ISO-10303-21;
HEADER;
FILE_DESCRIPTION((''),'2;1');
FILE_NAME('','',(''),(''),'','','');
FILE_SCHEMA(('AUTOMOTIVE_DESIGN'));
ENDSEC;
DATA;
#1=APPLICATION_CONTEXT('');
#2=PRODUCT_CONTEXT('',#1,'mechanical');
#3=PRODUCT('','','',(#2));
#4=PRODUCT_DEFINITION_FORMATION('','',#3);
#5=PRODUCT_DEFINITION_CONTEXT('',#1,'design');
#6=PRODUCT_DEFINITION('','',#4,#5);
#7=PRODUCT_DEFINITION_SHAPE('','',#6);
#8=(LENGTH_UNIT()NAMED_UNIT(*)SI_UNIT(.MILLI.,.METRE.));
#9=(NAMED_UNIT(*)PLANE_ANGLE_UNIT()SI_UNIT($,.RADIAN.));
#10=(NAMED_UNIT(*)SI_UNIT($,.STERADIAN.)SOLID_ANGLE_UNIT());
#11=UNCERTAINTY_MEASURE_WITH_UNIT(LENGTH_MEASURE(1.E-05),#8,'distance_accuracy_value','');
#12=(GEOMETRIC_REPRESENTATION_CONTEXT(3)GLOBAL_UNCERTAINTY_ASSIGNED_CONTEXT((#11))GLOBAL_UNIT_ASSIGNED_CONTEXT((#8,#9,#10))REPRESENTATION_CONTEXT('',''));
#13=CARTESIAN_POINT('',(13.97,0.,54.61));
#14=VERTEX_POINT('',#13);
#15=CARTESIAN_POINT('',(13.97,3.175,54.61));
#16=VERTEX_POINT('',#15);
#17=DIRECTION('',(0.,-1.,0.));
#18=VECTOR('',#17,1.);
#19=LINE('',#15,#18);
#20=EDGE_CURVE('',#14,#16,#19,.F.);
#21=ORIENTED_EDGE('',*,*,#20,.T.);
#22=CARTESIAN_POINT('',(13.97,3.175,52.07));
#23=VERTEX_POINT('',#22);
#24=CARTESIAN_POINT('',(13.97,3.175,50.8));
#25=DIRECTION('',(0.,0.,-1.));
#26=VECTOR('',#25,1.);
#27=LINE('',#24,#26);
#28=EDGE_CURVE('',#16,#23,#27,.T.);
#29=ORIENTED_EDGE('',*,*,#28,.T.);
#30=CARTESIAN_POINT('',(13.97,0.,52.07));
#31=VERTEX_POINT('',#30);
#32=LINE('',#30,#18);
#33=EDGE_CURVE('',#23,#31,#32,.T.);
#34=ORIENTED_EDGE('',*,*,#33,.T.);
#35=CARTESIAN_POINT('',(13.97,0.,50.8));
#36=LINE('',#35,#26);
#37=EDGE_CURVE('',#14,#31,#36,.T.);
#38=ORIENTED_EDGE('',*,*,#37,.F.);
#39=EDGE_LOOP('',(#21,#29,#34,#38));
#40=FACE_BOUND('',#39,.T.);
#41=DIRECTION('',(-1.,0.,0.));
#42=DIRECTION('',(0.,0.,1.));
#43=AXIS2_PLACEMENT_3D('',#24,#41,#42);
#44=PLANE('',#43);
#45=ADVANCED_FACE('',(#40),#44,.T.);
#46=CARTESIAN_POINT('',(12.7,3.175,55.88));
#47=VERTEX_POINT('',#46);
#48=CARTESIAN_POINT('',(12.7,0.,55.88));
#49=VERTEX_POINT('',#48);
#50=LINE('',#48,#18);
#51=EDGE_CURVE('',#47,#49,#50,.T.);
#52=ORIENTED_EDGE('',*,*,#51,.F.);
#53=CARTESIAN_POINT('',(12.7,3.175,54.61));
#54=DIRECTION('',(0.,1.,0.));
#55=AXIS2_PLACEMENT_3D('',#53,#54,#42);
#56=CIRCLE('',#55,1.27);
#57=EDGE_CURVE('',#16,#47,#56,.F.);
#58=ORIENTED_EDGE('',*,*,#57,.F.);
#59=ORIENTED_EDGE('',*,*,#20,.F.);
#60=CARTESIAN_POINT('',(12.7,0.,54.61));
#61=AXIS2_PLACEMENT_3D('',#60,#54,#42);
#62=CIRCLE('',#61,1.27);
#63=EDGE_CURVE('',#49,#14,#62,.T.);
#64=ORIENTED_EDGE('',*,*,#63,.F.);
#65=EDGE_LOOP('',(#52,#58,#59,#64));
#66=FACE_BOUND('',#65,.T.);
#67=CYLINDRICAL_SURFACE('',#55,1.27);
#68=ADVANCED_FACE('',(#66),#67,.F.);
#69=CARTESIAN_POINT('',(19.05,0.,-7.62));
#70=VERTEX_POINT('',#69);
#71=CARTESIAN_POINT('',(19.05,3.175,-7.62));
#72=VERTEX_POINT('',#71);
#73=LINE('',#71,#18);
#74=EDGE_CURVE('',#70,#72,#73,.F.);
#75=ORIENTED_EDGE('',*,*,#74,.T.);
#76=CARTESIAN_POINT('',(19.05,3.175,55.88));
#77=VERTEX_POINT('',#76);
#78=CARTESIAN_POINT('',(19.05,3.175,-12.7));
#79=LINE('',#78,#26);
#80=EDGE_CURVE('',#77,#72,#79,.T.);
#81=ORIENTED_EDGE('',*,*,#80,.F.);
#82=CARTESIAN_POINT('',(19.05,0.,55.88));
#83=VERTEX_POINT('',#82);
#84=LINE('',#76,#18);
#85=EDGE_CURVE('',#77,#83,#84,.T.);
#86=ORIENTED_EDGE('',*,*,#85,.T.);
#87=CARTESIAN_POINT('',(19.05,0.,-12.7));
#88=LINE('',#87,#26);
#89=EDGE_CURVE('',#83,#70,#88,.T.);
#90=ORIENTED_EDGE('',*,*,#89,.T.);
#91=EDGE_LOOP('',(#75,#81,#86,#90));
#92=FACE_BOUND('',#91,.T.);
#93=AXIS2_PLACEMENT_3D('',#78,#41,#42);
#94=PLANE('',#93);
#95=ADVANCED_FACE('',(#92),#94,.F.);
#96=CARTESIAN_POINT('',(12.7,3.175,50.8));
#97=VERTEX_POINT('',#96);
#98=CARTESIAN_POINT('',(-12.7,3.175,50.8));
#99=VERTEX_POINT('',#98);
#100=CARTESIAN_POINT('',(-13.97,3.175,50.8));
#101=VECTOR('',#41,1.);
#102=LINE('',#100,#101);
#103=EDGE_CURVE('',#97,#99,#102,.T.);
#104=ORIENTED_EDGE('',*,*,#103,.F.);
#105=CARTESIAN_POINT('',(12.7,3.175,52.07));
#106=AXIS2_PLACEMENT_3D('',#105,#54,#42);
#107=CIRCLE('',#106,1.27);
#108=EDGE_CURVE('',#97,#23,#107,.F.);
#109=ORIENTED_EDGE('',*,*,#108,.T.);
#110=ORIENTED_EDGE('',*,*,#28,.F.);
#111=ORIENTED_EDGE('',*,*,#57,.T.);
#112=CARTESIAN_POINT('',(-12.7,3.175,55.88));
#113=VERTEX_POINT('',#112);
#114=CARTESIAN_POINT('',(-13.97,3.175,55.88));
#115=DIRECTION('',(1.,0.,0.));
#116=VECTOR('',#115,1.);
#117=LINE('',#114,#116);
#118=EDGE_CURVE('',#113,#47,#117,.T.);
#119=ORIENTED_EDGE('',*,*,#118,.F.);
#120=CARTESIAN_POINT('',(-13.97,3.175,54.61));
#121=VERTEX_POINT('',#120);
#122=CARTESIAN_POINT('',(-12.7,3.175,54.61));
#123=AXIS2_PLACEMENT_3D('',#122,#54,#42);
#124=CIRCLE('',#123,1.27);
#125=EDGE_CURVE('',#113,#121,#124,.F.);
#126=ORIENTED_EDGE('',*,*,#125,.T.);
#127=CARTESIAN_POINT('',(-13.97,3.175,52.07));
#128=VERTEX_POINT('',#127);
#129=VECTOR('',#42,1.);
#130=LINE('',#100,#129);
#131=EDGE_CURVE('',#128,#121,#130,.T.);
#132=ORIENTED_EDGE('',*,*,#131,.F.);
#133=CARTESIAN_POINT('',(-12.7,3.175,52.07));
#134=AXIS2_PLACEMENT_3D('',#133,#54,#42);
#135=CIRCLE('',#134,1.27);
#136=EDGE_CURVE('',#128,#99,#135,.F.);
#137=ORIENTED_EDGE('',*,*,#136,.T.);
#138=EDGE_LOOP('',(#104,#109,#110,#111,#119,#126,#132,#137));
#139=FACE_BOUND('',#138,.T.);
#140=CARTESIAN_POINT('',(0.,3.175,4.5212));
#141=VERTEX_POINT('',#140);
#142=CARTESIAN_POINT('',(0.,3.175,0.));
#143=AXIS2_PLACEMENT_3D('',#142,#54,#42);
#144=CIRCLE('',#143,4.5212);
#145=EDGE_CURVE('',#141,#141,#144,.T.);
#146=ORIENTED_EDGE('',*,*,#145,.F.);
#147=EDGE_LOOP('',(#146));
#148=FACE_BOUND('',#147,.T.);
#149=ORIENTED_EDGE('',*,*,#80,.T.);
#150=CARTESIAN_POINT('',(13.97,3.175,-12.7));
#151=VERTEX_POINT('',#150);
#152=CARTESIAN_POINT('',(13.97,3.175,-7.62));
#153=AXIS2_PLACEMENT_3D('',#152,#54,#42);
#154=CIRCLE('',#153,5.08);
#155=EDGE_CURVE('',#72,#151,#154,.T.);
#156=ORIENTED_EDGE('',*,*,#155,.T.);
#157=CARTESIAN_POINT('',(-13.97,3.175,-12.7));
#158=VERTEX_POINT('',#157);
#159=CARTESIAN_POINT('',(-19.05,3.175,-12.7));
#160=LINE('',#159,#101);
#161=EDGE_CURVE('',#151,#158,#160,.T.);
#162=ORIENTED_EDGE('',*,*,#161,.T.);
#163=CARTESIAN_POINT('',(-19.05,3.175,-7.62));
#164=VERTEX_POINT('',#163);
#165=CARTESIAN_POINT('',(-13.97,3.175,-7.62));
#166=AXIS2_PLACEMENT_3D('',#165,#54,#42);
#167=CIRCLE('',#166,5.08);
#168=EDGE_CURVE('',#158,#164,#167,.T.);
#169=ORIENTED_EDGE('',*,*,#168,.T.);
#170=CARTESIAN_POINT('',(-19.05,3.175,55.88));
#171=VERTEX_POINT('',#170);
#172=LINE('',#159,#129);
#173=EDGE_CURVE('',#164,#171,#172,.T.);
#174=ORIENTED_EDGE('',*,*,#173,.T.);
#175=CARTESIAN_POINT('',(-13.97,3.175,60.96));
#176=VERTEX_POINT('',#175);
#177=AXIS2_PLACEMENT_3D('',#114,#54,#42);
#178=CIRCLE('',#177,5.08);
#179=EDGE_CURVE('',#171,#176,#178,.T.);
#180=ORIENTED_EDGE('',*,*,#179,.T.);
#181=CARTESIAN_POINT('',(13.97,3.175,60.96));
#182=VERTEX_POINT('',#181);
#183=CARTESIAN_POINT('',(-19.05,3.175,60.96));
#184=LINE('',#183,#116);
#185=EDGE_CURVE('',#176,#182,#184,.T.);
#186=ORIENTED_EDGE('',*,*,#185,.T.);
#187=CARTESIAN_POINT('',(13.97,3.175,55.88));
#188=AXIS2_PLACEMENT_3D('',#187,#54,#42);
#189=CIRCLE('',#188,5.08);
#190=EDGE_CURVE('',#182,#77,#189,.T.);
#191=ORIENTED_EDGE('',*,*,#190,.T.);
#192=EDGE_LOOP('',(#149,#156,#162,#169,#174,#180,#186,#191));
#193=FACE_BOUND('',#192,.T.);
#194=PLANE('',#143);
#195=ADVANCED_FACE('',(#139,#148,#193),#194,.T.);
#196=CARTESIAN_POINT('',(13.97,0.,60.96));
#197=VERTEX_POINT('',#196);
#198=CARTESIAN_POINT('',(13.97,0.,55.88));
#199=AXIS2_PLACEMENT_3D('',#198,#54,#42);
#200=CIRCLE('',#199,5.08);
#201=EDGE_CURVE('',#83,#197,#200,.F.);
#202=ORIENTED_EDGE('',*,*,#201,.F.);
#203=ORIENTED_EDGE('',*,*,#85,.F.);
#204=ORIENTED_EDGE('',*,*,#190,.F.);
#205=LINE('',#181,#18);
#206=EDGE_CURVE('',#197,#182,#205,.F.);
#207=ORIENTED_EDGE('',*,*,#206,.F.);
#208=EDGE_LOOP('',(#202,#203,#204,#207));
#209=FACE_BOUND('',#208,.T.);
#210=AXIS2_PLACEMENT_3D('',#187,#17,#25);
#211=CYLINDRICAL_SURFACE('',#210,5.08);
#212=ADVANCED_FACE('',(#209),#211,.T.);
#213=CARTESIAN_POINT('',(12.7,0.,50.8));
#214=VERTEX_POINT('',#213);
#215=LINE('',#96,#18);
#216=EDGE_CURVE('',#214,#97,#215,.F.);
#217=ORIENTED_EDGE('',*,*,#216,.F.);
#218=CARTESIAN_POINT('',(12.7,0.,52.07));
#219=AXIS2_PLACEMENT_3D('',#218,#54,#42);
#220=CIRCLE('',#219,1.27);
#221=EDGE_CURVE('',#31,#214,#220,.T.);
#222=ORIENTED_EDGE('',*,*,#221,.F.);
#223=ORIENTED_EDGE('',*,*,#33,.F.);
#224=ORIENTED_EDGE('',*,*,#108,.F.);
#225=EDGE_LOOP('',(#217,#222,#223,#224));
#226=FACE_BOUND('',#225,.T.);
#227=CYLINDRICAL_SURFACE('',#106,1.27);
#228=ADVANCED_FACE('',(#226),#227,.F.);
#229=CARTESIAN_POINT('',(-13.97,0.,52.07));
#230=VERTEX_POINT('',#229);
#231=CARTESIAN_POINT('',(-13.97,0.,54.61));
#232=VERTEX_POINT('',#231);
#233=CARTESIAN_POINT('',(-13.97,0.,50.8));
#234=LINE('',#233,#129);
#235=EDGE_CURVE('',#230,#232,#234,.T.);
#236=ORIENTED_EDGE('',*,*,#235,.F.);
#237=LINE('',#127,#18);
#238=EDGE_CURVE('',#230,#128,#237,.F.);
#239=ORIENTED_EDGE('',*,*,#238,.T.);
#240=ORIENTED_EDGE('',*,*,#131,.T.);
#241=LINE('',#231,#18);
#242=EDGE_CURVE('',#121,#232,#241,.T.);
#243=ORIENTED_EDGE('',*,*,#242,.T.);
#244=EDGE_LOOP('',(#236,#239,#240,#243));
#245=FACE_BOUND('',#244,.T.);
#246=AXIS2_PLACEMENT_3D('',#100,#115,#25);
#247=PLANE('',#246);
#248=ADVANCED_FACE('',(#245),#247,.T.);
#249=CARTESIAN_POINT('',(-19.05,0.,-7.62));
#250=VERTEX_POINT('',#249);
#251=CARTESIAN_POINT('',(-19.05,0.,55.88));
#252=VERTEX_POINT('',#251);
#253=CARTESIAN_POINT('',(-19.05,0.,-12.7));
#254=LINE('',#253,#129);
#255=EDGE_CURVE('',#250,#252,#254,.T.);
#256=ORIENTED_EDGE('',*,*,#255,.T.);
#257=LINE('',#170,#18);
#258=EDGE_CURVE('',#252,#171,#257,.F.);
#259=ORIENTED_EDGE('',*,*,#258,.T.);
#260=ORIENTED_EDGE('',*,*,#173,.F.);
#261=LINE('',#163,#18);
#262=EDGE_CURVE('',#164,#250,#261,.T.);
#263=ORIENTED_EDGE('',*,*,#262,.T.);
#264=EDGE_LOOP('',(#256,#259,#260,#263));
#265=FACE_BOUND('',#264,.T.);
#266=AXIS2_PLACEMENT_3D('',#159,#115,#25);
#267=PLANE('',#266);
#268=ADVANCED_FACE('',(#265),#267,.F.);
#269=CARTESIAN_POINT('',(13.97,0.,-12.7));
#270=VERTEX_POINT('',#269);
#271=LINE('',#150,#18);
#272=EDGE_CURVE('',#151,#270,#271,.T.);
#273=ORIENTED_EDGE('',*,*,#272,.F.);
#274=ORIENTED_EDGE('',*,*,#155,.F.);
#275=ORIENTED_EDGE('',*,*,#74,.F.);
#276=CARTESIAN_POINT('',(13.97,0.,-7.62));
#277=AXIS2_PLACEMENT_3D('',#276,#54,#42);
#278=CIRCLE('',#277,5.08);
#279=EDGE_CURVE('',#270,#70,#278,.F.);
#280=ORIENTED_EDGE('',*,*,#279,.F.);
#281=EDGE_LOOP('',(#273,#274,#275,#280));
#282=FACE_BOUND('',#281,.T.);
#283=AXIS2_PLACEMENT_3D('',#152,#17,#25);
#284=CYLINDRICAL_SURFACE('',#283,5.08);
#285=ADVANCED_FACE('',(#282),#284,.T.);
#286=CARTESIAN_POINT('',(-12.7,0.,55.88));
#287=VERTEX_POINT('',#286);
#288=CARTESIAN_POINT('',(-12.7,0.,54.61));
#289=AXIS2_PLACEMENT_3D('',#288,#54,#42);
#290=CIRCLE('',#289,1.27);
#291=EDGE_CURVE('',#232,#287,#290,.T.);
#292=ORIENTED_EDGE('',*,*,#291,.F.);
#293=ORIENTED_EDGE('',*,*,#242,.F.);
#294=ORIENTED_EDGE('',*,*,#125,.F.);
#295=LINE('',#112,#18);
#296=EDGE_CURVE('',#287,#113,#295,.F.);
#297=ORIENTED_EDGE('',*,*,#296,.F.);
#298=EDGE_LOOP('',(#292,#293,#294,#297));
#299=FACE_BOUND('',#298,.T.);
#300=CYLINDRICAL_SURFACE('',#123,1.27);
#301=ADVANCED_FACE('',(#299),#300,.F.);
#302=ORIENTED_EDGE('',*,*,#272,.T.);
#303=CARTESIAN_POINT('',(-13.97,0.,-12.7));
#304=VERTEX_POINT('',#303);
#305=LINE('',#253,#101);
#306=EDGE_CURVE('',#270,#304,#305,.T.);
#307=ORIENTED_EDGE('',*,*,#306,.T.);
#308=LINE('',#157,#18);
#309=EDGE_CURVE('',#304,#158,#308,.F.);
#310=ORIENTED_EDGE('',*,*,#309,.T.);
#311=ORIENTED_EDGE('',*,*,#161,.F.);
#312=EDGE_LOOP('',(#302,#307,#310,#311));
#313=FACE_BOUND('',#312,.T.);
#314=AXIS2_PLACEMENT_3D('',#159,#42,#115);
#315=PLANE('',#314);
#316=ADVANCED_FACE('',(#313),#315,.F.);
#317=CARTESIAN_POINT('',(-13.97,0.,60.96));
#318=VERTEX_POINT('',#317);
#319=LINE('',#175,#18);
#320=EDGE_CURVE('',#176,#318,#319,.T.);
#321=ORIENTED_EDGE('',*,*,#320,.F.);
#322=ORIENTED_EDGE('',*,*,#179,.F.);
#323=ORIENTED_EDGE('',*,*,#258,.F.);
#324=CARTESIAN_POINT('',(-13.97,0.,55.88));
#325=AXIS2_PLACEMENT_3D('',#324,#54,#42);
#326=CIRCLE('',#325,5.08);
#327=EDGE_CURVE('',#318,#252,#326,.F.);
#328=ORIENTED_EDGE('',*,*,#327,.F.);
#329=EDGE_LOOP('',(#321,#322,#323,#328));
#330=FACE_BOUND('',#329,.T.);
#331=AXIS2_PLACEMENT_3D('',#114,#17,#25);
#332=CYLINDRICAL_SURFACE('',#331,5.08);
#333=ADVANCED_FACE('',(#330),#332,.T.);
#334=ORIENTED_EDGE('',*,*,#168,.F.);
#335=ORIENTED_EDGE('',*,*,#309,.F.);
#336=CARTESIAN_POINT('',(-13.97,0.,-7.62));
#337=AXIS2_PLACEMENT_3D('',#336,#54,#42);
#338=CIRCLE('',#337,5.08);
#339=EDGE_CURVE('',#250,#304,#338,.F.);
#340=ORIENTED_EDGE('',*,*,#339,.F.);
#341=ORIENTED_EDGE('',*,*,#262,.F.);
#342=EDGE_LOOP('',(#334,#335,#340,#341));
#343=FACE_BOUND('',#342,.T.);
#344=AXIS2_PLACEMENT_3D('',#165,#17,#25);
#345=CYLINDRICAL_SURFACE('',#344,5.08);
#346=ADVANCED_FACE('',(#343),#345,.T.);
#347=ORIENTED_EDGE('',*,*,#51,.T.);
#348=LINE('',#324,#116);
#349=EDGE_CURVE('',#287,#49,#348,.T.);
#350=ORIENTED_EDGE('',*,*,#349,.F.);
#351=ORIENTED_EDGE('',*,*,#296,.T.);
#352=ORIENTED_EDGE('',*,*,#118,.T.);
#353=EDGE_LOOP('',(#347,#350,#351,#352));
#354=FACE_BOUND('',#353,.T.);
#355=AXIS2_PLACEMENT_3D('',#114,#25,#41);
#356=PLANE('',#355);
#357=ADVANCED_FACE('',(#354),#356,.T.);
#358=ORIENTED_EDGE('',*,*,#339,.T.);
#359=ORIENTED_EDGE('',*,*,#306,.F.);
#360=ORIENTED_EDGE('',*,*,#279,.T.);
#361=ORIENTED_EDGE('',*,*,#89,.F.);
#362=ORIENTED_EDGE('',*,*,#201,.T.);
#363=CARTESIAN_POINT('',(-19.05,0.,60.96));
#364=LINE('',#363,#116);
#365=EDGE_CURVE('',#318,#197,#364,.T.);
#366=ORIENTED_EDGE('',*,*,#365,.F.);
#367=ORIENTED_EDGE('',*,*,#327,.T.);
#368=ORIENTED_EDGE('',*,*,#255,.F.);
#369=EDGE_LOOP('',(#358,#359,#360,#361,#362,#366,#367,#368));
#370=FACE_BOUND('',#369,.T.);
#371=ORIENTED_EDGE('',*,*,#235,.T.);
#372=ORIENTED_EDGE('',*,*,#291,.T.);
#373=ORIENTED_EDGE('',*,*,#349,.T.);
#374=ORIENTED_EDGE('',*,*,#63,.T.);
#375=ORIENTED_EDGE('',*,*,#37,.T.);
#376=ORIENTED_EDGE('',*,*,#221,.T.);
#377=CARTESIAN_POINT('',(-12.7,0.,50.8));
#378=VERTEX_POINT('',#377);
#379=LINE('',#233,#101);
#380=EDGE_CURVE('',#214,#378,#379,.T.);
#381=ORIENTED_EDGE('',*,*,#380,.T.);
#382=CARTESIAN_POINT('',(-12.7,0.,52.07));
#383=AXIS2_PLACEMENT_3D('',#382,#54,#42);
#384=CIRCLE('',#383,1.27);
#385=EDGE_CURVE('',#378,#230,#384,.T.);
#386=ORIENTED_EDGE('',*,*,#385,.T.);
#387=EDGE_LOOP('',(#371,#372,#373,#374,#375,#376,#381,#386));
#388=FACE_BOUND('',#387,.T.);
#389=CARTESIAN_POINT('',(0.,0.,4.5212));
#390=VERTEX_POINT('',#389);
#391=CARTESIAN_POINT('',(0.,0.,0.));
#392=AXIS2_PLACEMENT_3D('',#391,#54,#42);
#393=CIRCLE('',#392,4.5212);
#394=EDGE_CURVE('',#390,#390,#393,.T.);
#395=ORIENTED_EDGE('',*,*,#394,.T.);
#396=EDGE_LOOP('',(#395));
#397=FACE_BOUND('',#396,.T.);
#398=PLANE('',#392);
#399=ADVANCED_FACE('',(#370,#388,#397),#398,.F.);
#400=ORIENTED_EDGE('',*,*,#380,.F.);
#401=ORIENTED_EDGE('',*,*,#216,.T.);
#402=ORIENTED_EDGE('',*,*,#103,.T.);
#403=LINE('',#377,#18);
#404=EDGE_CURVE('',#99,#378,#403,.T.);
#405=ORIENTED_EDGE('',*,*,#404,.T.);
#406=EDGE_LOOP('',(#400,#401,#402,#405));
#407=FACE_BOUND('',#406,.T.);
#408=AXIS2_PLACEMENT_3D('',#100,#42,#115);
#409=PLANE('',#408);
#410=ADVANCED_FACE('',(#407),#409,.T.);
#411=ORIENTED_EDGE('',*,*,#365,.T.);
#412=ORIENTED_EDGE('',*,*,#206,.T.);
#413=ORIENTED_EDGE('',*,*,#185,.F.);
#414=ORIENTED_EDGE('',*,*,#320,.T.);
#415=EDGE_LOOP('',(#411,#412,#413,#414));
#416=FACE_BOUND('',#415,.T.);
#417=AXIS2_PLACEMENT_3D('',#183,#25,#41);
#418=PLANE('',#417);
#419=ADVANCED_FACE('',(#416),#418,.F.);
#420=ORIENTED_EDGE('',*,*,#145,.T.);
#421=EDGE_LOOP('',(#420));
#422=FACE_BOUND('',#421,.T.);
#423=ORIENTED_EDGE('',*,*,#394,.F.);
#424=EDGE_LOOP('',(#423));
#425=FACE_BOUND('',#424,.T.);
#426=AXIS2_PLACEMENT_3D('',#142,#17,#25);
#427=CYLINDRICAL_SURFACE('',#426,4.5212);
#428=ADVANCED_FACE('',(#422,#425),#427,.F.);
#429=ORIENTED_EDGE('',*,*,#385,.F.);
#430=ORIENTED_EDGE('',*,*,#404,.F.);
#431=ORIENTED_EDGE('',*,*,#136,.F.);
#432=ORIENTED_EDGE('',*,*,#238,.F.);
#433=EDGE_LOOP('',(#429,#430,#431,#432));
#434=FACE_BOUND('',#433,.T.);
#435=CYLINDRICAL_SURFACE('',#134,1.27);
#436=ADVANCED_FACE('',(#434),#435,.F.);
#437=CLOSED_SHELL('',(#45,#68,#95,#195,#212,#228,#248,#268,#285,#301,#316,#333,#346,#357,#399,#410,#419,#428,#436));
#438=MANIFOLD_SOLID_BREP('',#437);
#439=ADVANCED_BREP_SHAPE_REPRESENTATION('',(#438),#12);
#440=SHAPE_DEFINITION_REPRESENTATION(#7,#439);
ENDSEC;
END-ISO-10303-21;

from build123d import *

# Parameters (mm, degrees)
SKETCH1_W           = 38.1
SKETCH1_H           = 73.66
SKETCH1_R           = 4.5212
SKETCH1_W_2         = 27.94
SKETCH1_H_2         = 5.08
BOSS_EXTRUDE1_DEPTH = 3.175
FILLET1_R           = 5.08
FILLET2_R           = 1.27


with BuildPart() as part:
    # Sketch1 → Boss-Extrude1 (new body)
    with BuildSketch(Plane(origin=(0, 0, 0), x_dir=(1, 0, 0), z_dir=(0, 1, 0))):
        with Locations((0, -24.13)):
            Rectangle(SKETCH1_W, SKETCH1_H)
        with Locations(Location((0, 0, 0), (0, 0, 270))):  # turned: the seam where the file's is
            Circle(SKETCH1_R, mode=Mode.SUBTRACT)
        with Locations((0, -53.34)):
            Rectangle(SKETCH1_W_2, SKETCH1_H_2, mode=Mode.SUBTRACT)
    extrude(amount=BOSS_EXTRUDE1_DEPTH)

    # Fillet1
    fillet1_edges = [part.edges().sort_by_distance(p)[0] for p in [
        (-19.05, 1.5875, -12.7),
        (19.05, 1.5875, -12.7),
        (19.05, 1.5875, 60.96),
        (-19.05, 1.5875, 60.96),
    ]]
    fillet(fillet1_edges, radius=FILLET1_R)

    # Fillet2
    fillet2_edges = [part.edges().sort_by_distance(p)[0] for p in [
        (-13.97, 1.5875, 50.8),
        (-13.97, 1.5875, 55.88),
        (13.97, 1.5875, 55.88),
        (13.97, 1.5875, 50.8),
    ]]
    fillet(fillet2_edges, radius=FILLET2_R)


solid = part.part
